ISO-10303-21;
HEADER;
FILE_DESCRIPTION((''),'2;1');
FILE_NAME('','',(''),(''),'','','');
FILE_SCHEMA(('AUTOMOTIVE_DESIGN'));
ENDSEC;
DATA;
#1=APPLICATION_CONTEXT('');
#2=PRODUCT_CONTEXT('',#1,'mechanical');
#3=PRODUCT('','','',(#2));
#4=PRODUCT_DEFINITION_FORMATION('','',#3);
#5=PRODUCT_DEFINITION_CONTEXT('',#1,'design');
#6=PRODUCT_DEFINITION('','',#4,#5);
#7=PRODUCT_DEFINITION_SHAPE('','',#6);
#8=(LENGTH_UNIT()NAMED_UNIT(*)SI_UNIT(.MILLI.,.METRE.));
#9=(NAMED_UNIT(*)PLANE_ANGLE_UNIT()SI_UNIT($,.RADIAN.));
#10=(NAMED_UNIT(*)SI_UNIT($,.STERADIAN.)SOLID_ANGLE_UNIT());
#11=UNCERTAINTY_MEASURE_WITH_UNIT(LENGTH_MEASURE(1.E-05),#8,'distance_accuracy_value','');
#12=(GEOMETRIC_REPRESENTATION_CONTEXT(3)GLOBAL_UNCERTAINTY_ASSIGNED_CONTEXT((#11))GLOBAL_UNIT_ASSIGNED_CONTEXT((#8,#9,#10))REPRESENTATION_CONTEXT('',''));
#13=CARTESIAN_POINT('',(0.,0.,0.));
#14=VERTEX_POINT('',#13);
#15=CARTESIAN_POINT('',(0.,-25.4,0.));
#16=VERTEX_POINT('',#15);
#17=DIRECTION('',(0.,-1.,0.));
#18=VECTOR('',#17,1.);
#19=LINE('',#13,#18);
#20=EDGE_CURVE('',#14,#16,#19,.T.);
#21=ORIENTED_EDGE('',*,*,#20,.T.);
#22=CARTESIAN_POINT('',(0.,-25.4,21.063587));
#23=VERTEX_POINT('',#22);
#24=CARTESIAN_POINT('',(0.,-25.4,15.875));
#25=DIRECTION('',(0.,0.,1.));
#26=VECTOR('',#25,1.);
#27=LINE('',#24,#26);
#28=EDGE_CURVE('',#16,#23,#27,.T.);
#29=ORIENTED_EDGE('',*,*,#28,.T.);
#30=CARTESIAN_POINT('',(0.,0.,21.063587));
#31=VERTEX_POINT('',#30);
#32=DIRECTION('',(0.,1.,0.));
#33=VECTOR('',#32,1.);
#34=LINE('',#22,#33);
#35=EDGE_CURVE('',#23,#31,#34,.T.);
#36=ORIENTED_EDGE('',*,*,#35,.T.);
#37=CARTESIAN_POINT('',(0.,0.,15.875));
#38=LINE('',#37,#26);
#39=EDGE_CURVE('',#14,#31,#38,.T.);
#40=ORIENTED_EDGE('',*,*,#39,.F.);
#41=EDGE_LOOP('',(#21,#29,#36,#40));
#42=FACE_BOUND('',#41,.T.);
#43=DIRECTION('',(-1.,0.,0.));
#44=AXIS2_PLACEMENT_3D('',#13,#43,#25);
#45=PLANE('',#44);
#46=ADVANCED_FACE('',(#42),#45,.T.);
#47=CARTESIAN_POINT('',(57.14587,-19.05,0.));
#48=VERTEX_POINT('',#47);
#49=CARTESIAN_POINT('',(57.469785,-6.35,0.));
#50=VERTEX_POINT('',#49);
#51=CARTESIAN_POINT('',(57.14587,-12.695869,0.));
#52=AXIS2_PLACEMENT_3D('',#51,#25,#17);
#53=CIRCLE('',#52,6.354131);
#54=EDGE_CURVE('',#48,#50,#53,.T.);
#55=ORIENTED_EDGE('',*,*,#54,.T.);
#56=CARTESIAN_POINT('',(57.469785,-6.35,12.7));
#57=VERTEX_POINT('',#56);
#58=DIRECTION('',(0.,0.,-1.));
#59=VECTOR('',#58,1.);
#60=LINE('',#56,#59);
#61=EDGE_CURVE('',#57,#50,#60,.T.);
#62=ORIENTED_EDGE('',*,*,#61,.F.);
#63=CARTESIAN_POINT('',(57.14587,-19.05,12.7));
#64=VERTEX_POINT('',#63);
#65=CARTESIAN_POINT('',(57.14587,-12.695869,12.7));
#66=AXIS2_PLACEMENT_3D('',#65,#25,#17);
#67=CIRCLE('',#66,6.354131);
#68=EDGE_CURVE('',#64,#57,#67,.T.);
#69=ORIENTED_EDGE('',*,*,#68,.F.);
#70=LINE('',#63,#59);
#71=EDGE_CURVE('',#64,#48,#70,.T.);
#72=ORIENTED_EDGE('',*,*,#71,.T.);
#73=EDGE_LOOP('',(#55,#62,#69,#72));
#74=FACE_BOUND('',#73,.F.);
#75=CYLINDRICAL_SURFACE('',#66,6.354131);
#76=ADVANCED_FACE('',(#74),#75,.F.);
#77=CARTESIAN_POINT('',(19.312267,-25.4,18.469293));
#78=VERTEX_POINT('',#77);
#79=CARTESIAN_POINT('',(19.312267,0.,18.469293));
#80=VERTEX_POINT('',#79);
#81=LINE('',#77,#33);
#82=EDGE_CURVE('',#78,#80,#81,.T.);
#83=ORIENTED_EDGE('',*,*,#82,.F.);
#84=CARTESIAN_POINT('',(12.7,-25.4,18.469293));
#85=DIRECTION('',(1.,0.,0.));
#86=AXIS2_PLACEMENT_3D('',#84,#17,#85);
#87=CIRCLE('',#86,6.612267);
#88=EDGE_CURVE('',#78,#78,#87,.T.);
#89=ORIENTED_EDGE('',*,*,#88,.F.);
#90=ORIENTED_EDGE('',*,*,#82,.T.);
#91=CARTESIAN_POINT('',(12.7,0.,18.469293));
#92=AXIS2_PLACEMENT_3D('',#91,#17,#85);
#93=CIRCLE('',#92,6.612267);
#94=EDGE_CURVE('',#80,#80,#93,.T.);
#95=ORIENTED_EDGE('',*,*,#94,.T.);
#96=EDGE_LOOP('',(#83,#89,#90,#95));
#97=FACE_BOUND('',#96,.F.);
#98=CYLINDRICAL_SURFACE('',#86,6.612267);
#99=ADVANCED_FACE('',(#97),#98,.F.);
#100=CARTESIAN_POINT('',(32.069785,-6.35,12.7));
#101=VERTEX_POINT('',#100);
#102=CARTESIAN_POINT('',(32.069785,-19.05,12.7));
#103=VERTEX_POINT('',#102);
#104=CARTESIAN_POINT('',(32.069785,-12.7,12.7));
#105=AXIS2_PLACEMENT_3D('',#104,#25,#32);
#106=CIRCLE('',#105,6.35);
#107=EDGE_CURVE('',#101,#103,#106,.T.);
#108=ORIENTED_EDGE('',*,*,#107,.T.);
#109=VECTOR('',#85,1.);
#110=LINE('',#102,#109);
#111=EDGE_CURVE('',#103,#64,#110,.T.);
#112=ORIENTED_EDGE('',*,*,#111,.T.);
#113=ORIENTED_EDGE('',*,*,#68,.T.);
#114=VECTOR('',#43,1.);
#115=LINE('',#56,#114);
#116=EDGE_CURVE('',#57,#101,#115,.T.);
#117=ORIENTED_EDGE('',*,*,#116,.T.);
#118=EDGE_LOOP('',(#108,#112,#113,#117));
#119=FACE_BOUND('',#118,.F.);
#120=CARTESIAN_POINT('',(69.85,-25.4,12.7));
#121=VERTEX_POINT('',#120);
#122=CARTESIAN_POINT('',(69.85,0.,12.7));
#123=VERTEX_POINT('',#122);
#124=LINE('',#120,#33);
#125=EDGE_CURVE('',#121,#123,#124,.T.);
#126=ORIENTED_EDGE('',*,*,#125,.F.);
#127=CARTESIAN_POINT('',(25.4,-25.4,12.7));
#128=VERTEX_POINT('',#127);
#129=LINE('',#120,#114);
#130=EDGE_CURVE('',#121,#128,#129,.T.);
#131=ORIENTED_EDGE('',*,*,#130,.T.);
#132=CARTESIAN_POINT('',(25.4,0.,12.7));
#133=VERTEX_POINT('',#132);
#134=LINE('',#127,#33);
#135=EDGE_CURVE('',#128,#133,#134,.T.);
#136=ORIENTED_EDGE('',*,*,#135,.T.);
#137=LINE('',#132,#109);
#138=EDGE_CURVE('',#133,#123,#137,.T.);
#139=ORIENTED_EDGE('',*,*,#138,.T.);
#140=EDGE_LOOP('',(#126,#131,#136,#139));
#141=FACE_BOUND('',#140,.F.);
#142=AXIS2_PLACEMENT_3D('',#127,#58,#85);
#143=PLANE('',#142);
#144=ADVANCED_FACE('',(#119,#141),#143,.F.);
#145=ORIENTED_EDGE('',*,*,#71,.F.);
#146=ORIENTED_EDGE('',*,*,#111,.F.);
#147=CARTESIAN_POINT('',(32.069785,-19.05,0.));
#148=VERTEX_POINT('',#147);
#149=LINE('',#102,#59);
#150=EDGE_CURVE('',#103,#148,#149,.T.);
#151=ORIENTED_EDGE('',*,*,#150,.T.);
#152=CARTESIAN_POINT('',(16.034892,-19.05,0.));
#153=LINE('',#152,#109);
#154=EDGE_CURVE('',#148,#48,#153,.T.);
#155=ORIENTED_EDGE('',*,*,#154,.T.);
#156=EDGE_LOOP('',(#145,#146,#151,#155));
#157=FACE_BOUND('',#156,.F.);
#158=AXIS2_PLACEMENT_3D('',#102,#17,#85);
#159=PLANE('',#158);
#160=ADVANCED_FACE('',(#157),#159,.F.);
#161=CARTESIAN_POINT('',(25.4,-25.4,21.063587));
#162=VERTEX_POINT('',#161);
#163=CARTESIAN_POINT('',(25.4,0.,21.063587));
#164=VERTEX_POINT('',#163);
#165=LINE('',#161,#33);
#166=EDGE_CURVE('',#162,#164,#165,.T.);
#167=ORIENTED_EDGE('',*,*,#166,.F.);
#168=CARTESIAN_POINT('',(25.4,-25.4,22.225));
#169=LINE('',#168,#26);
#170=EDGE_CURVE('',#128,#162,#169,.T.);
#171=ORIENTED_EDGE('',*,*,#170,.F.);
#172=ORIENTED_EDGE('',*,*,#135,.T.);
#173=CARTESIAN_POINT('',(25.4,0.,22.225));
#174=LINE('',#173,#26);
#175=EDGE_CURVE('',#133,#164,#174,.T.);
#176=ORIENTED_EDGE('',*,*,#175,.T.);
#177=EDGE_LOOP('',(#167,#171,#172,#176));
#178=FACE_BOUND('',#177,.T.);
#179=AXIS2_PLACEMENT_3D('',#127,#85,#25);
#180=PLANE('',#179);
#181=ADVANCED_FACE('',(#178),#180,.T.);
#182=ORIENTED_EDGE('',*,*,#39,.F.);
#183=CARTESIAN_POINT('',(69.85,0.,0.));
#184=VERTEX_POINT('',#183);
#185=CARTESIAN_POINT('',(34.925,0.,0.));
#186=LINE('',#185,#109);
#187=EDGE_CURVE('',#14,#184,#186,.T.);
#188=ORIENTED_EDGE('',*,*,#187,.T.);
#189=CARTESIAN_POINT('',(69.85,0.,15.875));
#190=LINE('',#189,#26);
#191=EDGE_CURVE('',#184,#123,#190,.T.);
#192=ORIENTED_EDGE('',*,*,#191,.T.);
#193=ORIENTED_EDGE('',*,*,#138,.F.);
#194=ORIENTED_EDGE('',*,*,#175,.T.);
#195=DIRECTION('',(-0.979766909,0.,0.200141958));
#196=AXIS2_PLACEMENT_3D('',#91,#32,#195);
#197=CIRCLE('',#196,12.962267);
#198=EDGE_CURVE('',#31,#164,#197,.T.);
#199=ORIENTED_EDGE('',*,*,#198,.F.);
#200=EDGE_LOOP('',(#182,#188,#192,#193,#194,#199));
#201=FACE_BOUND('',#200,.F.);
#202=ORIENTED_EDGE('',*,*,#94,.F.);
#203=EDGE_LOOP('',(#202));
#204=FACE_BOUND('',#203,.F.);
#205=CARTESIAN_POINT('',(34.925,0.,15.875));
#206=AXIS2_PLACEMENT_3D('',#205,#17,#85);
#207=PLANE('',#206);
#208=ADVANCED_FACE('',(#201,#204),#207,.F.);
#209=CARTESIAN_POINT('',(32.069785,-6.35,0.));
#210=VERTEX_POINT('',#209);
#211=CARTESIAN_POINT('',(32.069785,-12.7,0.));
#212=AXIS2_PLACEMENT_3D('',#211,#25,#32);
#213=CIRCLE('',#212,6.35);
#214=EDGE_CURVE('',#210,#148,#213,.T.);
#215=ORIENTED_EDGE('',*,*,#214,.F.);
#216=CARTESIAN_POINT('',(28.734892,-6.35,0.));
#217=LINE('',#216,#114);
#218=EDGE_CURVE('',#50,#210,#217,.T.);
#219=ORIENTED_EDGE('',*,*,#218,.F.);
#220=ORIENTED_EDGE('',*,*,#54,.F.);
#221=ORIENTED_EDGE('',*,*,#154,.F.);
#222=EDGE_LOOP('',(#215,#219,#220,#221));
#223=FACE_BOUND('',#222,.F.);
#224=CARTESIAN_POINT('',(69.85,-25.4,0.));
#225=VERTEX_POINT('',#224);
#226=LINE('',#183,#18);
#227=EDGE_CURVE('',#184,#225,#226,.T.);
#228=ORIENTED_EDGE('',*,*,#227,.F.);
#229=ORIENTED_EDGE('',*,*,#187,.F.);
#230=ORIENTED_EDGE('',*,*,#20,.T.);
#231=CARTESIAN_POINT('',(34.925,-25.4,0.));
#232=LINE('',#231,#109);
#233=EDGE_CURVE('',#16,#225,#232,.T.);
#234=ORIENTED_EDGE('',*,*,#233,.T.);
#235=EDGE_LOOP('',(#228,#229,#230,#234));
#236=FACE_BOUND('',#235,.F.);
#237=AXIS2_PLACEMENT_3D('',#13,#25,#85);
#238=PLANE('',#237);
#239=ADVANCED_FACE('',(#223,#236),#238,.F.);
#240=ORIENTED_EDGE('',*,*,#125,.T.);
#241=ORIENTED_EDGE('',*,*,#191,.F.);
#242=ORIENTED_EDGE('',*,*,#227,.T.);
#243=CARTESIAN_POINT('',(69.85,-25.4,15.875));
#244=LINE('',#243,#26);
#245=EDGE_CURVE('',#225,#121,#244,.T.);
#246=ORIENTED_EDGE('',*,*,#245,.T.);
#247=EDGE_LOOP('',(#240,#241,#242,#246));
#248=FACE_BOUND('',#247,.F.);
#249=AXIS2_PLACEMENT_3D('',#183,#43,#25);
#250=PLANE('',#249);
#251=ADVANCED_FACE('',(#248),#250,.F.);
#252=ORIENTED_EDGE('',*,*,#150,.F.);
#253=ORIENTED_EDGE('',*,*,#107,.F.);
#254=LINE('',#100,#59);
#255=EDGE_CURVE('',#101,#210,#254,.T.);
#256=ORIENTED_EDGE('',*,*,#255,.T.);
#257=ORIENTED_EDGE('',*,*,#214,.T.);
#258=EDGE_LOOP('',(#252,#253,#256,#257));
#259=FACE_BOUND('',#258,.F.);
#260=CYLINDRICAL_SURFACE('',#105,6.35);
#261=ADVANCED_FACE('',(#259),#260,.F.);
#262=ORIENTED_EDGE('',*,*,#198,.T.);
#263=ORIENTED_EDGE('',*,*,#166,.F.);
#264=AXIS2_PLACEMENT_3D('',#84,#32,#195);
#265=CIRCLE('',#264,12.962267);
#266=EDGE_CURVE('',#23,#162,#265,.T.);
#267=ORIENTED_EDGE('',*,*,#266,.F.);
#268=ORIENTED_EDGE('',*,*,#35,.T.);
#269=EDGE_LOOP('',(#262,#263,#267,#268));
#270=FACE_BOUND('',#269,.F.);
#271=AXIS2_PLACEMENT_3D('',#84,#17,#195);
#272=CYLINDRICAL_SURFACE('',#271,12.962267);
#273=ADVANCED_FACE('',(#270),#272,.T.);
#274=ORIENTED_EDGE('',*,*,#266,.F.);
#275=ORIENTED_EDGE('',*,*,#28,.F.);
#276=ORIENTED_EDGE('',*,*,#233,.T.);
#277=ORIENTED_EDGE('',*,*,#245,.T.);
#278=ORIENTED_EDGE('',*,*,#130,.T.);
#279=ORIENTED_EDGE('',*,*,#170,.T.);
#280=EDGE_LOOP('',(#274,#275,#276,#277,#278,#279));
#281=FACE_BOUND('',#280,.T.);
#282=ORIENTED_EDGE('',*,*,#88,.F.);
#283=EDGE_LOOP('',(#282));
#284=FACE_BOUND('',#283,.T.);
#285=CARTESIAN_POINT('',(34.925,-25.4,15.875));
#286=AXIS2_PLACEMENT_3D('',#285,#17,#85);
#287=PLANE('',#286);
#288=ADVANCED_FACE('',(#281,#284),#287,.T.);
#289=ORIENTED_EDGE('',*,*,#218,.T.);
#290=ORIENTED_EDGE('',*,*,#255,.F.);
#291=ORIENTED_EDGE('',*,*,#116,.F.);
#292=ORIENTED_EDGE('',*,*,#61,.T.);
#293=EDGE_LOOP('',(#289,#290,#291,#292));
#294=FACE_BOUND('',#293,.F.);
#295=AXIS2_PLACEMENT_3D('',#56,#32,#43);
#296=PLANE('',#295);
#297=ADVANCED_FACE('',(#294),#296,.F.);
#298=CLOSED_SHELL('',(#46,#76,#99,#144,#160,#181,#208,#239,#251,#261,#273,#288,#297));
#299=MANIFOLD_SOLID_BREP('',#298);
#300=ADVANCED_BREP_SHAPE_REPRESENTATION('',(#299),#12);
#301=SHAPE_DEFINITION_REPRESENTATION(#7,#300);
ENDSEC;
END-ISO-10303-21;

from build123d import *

# Parameters (mm, degrees)
F0_W      = 69.85
F0_H      = 31.75
F1_DEPTH  = 25.4
F2_W      = 44.45
F2_H      = 19.05
F3_DEPTH  = 25.4
F5_DEPTH  = 25.4
F6_R      = 6.6122667184
F7_DEPTH  = 25.4
F9_DEPTH  = 25.4
F11_DEPTH = 25.4


with BuildPart() as f1:
    # F0 (on Front) → F1 (new body)
    with BuildSketch(Plane.XZ):
        with Locations((34.925, 15.875)):
            Rectangle(F0_W, F0_H)
    extrude(amount=F1_DEPTH)

    # F2 (on face) → F3 (cut)
    with BuildSketch(Plane.XZ.offset(25.4)):
        with Locations((47.625, 22.225)):
            Rectangle(F2_W, F2_H)
    extrude(amount=-F3_DEPTH, mode=Mode.SUBTRACT)

    # F4 (on face) → F5 (cut)
    with BuildSketch(Plane.XZ.offset(25.4)):
        with BuildLine():
            ThreePointArc((0, 21.06358689), (12.7, 31.4315601634), (25.4, 21.06358689))
            Line((25.4, 21.06358689), (25.4, 31.75))
            Line((25.4, 31.75), (0, 31.75))
            Line((0, 31.75), (0, 21.06358689))
        make_face()
    extrude(amount=-F5_DEPTH, mode=Mode.SUBTRACT)

    # F6 (on face) → F7 (cut)
    with BuildSketch(Plane.XZ.offset(25.4)):
        with Locations((12.7, 18.469293445)):
            Circle(F6_R)
    extrude(amount=-F7_DEPTH, mode=Mode.SUBTRACT)

    # F8 (on face) → F9 (cut)
    with BuildSketch(Plane.XY.offset(12.7)):
        with BuildLine():
            Line((57.4697845539, -6.35), (32.0697845539, -6.35))
            ThreePointArc((32.0697845539, -6.35), (25.7197845539, -12.7), (32.0697845539, -19.05))
            Line((32.0697845539, -19.05), (57.1458699361, -19.05))
            ThreePointArc((57.1458699361, -19.05), (63.4979349681, -12.8578792423), (57.4697845539, -6.35))
        make_face()
    extrude(amount=-F9_DEPTH, mode=Mode.SUBTRACT)

    # F10 (on face) → F11 (cut)
    with BuildSketch(Plane.XY.offset(12.7)):
        with BuildLine():
            ThreePointArc((59.4271533191, 0), (69.7393281639, -11.6319730082), (62.5223219395, -25.4))
            Line((62.5223219395, -25.4), (69.85, -25.4))
            Line((69.85, -25.4), (69.85, 0))
            Line((69.85, 0), (59.4271533191, 0))
        make_face()
    extrude(amount=F11_DEPTH, mode=Mode.SUBTRACT)


solid = f1.part
